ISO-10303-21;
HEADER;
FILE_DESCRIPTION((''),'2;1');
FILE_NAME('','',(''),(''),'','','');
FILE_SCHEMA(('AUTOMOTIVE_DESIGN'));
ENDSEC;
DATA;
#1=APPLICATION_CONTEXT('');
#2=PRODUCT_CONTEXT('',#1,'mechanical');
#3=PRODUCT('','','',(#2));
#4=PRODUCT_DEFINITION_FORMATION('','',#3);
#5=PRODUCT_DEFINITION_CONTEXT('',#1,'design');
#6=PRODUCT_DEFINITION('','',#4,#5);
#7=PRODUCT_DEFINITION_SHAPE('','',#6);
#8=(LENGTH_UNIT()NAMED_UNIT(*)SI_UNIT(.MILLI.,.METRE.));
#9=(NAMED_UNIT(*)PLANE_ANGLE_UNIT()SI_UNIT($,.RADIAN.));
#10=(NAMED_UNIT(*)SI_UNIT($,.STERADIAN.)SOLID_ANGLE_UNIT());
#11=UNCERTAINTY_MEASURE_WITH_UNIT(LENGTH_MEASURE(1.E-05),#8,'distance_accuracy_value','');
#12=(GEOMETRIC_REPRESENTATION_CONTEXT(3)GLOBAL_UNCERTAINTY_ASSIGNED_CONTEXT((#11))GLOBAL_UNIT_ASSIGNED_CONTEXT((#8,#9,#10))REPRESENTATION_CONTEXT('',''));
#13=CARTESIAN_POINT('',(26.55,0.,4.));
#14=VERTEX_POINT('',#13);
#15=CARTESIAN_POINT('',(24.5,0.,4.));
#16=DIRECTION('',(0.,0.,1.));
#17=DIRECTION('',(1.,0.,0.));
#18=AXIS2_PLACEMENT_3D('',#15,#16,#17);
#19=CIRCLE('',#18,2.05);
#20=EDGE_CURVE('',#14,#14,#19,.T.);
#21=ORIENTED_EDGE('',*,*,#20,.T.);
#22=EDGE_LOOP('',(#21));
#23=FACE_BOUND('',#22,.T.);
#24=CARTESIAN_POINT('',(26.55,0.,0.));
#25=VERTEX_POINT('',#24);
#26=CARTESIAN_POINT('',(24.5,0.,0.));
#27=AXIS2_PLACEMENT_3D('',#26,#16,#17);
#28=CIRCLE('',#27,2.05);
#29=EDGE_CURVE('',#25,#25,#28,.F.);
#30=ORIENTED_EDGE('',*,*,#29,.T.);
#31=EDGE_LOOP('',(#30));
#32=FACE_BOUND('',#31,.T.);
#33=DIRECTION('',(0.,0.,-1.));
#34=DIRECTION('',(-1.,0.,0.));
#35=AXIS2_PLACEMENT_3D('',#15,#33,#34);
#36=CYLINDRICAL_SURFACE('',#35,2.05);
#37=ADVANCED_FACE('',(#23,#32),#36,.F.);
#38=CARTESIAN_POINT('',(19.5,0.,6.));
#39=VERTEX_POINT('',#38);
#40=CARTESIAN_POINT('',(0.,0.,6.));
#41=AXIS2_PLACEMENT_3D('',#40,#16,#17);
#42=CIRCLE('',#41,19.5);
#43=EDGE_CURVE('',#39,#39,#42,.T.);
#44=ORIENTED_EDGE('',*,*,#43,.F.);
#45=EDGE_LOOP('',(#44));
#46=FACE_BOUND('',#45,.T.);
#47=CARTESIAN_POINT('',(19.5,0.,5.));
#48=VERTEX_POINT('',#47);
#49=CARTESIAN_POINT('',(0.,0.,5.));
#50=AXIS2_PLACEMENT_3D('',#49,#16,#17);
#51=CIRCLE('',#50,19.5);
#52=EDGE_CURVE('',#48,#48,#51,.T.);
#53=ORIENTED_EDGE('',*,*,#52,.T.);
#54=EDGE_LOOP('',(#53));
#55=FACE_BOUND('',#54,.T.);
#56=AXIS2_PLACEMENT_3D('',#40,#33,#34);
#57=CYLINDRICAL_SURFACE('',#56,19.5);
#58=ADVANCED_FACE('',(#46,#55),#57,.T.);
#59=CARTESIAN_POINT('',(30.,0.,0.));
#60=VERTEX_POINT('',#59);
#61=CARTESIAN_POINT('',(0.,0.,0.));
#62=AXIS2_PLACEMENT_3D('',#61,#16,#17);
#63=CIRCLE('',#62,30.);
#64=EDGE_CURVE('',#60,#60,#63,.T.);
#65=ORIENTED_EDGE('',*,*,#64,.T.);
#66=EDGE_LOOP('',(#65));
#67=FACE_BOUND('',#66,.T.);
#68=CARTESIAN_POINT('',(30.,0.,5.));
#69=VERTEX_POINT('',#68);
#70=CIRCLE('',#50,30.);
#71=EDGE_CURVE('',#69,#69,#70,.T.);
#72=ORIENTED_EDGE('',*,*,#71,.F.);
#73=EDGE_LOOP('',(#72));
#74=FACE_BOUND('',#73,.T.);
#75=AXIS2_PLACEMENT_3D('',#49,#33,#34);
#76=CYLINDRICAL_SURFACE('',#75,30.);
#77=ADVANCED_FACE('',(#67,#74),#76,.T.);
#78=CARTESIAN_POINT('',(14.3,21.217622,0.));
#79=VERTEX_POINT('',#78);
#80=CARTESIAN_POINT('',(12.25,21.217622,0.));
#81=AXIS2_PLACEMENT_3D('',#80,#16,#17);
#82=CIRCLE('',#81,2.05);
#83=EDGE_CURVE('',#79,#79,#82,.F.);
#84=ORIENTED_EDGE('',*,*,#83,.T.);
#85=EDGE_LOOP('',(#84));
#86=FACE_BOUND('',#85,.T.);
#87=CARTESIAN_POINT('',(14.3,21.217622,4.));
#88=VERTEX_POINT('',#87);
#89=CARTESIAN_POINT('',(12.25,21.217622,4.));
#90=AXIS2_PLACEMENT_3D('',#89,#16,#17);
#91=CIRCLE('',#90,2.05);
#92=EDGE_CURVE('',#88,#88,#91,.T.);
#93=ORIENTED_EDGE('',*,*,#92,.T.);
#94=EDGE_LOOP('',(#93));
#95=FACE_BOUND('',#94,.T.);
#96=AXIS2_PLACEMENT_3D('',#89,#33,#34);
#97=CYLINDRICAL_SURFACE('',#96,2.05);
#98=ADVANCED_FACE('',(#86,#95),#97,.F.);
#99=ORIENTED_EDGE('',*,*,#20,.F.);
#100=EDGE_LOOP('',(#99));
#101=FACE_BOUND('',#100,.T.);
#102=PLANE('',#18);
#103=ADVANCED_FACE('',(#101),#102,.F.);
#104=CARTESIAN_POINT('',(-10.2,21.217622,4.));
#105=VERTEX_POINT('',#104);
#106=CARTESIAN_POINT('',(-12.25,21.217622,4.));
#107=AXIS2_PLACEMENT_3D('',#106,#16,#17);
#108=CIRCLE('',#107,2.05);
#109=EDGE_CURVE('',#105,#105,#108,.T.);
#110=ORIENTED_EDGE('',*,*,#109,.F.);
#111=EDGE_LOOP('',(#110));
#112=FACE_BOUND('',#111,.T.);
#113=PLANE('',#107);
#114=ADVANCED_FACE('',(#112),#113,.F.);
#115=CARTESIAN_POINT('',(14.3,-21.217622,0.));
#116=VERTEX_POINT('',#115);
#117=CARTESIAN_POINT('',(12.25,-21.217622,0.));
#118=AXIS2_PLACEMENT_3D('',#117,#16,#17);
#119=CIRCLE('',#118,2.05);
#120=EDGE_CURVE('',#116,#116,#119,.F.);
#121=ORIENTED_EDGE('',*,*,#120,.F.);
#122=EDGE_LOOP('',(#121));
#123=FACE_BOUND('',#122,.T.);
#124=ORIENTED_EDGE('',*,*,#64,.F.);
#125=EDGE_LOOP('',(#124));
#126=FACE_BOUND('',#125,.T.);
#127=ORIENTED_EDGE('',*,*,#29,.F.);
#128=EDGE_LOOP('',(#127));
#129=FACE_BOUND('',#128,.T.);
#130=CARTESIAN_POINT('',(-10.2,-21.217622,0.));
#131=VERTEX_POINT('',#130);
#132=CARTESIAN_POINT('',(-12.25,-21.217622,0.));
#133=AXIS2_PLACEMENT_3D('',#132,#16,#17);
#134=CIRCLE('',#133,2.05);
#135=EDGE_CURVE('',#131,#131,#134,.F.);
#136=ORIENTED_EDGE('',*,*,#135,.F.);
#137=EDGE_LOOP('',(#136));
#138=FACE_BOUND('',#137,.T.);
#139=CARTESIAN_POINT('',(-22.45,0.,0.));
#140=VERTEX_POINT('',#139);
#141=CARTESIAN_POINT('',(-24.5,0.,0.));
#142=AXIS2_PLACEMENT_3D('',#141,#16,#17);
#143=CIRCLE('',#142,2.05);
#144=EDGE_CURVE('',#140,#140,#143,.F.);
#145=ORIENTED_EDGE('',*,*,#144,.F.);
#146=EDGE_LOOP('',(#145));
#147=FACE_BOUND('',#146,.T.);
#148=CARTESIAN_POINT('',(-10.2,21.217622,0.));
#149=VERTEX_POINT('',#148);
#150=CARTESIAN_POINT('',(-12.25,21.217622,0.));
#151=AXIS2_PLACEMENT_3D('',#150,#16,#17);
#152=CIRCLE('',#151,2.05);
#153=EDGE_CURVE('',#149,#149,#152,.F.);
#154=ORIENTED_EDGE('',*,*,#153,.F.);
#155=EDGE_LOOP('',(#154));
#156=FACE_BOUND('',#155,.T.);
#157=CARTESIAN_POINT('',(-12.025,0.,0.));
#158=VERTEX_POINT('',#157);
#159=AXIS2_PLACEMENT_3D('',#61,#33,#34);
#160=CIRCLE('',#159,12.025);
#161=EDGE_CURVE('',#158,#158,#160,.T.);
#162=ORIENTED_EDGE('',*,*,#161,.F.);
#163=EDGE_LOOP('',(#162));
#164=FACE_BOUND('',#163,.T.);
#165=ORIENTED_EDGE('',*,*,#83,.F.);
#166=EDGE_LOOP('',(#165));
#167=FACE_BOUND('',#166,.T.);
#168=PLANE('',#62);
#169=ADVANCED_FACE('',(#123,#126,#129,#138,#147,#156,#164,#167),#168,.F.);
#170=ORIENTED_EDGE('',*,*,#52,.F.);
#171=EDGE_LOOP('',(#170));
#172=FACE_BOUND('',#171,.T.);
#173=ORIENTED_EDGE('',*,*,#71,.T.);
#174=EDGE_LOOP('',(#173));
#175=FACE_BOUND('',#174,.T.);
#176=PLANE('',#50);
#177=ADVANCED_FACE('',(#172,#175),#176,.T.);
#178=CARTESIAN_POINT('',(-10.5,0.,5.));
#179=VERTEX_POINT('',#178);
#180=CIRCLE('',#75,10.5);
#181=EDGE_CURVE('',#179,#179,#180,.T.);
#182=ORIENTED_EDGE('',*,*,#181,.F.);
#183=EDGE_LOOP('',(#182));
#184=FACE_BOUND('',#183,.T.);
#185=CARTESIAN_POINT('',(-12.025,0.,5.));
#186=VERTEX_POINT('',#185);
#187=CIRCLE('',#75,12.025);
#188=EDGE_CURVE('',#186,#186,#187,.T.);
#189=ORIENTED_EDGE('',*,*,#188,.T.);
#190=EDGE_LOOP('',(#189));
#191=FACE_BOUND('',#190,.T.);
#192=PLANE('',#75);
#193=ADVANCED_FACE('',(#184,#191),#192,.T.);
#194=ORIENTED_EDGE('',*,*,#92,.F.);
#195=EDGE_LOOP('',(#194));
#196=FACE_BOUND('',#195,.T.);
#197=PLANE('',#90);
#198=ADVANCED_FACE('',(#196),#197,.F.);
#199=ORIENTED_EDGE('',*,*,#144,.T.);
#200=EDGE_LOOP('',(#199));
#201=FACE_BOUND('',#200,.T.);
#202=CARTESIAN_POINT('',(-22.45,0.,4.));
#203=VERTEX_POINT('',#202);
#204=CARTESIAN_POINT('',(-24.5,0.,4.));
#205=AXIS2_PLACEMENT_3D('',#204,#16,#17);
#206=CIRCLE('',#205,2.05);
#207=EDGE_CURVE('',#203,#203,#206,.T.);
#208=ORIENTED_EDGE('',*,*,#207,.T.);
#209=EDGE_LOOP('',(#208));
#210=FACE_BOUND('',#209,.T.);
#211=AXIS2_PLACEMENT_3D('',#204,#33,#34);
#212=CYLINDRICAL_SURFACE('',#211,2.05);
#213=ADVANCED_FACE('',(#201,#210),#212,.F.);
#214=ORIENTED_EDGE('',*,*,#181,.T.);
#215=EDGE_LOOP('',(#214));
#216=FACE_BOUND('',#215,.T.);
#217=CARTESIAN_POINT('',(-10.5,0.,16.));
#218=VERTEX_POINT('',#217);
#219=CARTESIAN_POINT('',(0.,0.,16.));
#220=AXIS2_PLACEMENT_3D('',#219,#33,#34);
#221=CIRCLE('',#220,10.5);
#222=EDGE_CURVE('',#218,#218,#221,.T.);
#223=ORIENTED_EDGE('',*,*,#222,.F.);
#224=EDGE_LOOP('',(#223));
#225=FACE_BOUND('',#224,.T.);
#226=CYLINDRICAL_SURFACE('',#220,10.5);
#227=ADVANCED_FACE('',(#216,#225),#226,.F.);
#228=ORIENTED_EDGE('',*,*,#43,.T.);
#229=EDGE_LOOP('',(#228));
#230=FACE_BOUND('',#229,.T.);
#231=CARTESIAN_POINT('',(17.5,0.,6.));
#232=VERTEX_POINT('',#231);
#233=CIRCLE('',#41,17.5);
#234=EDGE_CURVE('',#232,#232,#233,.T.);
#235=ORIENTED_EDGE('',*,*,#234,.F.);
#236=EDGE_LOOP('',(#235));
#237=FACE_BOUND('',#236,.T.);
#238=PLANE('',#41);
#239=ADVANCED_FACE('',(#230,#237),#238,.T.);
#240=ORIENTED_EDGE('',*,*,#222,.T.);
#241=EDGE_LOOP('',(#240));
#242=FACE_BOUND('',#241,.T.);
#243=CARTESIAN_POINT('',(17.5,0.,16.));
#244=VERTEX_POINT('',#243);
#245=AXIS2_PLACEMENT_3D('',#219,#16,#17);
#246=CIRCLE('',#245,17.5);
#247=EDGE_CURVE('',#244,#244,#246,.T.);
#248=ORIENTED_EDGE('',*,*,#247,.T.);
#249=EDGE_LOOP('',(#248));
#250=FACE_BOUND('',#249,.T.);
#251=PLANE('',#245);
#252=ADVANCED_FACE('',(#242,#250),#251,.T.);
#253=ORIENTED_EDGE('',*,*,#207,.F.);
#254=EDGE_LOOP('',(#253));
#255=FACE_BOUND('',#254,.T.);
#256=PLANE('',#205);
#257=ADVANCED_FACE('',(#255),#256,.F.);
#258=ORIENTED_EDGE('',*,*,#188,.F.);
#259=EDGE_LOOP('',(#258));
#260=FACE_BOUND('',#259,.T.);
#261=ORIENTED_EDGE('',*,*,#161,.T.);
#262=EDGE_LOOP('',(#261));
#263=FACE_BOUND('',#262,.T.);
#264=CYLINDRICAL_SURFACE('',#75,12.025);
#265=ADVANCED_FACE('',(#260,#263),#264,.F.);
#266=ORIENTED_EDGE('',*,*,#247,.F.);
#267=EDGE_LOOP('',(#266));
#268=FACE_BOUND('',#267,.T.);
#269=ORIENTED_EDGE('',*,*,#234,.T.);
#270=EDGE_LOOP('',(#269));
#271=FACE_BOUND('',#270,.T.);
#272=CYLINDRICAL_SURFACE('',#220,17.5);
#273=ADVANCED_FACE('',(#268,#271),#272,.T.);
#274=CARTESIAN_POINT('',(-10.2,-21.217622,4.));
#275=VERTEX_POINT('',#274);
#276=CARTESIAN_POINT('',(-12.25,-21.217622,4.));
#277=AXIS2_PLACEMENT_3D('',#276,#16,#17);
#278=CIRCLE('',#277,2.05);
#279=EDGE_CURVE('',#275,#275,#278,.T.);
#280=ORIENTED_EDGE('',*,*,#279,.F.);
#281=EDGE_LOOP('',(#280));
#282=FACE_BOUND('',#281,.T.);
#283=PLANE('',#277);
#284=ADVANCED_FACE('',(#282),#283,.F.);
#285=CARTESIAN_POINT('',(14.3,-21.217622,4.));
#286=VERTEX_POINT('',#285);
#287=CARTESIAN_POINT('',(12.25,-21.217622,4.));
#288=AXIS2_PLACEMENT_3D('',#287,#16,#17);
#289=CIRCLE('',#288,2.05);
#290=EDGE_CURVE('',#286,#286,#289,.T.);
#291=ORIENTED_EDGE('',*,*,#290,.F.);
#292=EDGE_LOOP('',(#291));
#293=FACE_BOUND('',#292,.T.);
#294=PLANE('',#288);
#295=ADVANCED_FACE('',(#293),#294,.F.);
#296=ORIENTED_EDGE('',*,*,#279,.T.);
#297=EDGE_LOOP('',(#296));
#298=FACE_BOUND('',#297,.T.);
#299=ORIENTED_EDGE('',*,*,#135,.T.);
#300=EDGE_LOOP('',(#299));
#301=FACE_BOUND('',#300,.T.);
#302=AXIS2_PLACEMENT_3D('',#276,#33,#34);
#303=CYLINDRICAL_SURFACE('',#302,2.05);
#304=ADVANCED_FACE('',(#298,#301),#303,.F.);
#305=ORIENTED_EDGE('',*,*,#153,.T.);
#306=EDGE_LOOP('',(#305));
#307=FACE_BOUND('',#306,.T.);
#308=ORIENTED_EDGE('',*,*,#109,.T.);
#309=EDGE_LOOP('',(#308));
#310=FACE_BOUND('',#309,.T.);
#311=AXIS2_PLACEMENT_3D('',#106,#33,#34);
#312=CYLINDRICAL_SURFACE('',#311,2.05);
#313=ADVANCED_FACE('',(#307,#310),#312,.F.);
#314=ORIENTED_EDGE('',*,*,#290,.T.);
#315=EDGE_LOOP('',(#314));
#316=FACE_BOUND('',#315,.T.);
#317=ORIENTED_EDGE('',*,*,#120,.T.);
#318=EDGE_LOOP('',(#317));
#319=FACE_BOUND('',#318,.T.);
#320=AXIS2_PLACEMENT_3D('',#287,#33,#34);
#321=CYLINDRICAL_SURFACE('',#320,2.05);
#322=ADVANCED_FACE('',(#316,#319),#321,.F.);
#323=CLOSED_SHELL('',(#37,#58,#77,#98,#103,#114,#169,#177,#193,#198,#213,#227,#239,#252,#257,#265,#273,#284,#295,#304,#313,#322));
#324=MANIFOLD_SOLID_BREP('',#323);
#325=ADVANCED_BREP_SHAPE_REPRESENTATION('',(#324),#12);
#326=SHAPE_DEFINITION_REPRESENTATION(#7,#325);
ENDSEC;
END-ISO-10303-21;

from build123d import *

# Parameters (mm, degrees)
SKETCH1_R               = 30
BOSS_EXTRUDE1_DEPTH     = 5
SKETCH2_R               = 19.5
BOSS_EXTRUDE2_DEPTH     = 1
SKETCH3_R               = 17.5
BOSS_EXTRUDE3_DEPTH     = 10
CUT_EXTRUDE1_DEPTH      = 4
CUT_EXTRUDE1_DEPTH_BACK = 4
CUT_EXTRUDE1_START      = -5
SKETCH5_R               = 2.05
SKETCH9_R               = 5.5
CUT_EXTRUDE5_DEPTH      = 4
SKETCH7_R               = 12.025
CUT_EXTRUDE3_DEPTH      = 5
SKETCH8_R               = 10.5
CUT_EXTRUDE4_DEPTH      = 44.829214002


with BuildPart() as part:
    # Sketch1 → Boss-Extrude1 (new body)
    with BuildSketch(Plane.XY):
        Circle(SKETCH1_R)
    extrude(amount=BOSS_EXTRUDE1_DEPTH)

    # Sketch2 → Boss-Extrude2 (add)
    with BuildSketch(Plane.XY.offset(5)):
        Circle(SKETCH2_R)
    extrude(amount=BOSS_EXTRUDE2_DEPTH)

    # Sketch3 → Boss-Extrude3 (add)
    with BuildSketch(Plane.XY.offset(6)):
        Circle(SKETCH3_R)
    extrude(amount=BOSS_EXTRUDE3_DEPTH)

    # Sketch5 → Cut-Extrude1 (cut, two sides: drawn at the far end of the back side and taken through both)
    with BuildSketch(Plane.XY.offset(5).offset(CUT_EXTRUDE1_START - CUT_EXTRUDE1_DEPTH_BACK)):
        with Locations((24.5, 0)):
            Circle(SKETCH5_R)
        with Locations((12.25, -21.217622393)):
            Circle(SKETCH5_R)
        with Locations((-12.25, -21.217622393)):
            Circle(SKETCH5_R)
        with Locations((-24.5, 0)):
            Circle(SKETCH5_R)
        with Locations((-12.25, 21.217622393)):
            Circle(SKETCH5_R)
        with Locations((12.25, 21.217622393)):
            Circle(SKETCH5_R)
    extrude(amount=CUT_EXTRUDE1_DEPTH + CUT_EXTRUDE1_DEPTH_BACK, mode=Mode.SUBTRACT)

    # Sketch9 → Cut-Extrude5 (cut)
    with BuildSketch(Plane(origin=(0, 0, 0), x_dir=(-1, 0, 0), z_dir=(0, 0, -1))):
        Circle(SKETCH9_R)
    extrude(amount=-CUT_EXTRUDE5_DEPTH, mode=Mode.SUBTRACT)

    # Sketch7 → Cut-Extrude3 (cut)
    with BuildSketch(Plane(origin=(0, 0, 0), x_dir=(-1, 0, 0), z_dir=(0, 0, -1))):
        Circle(SKETCH7_R)
    extrude(amount=-CUT_EXTRUDE3_DEPTH, mode=Mode.SUBTRACT)

    # Sketch8 → Cut-Extrude4 (cut, through all)
    with BuildSketch(Plane(origin=(0, 0, 5), x_dir=(-1, 0, 0), z_dir=(0, 0, -1))):
        Circle(SKETCH8_R)
    extrude(amount=-CUT_EXTRUDE4_DEPTH, mode=Mode.SUBTRACT)


solid = part.part
